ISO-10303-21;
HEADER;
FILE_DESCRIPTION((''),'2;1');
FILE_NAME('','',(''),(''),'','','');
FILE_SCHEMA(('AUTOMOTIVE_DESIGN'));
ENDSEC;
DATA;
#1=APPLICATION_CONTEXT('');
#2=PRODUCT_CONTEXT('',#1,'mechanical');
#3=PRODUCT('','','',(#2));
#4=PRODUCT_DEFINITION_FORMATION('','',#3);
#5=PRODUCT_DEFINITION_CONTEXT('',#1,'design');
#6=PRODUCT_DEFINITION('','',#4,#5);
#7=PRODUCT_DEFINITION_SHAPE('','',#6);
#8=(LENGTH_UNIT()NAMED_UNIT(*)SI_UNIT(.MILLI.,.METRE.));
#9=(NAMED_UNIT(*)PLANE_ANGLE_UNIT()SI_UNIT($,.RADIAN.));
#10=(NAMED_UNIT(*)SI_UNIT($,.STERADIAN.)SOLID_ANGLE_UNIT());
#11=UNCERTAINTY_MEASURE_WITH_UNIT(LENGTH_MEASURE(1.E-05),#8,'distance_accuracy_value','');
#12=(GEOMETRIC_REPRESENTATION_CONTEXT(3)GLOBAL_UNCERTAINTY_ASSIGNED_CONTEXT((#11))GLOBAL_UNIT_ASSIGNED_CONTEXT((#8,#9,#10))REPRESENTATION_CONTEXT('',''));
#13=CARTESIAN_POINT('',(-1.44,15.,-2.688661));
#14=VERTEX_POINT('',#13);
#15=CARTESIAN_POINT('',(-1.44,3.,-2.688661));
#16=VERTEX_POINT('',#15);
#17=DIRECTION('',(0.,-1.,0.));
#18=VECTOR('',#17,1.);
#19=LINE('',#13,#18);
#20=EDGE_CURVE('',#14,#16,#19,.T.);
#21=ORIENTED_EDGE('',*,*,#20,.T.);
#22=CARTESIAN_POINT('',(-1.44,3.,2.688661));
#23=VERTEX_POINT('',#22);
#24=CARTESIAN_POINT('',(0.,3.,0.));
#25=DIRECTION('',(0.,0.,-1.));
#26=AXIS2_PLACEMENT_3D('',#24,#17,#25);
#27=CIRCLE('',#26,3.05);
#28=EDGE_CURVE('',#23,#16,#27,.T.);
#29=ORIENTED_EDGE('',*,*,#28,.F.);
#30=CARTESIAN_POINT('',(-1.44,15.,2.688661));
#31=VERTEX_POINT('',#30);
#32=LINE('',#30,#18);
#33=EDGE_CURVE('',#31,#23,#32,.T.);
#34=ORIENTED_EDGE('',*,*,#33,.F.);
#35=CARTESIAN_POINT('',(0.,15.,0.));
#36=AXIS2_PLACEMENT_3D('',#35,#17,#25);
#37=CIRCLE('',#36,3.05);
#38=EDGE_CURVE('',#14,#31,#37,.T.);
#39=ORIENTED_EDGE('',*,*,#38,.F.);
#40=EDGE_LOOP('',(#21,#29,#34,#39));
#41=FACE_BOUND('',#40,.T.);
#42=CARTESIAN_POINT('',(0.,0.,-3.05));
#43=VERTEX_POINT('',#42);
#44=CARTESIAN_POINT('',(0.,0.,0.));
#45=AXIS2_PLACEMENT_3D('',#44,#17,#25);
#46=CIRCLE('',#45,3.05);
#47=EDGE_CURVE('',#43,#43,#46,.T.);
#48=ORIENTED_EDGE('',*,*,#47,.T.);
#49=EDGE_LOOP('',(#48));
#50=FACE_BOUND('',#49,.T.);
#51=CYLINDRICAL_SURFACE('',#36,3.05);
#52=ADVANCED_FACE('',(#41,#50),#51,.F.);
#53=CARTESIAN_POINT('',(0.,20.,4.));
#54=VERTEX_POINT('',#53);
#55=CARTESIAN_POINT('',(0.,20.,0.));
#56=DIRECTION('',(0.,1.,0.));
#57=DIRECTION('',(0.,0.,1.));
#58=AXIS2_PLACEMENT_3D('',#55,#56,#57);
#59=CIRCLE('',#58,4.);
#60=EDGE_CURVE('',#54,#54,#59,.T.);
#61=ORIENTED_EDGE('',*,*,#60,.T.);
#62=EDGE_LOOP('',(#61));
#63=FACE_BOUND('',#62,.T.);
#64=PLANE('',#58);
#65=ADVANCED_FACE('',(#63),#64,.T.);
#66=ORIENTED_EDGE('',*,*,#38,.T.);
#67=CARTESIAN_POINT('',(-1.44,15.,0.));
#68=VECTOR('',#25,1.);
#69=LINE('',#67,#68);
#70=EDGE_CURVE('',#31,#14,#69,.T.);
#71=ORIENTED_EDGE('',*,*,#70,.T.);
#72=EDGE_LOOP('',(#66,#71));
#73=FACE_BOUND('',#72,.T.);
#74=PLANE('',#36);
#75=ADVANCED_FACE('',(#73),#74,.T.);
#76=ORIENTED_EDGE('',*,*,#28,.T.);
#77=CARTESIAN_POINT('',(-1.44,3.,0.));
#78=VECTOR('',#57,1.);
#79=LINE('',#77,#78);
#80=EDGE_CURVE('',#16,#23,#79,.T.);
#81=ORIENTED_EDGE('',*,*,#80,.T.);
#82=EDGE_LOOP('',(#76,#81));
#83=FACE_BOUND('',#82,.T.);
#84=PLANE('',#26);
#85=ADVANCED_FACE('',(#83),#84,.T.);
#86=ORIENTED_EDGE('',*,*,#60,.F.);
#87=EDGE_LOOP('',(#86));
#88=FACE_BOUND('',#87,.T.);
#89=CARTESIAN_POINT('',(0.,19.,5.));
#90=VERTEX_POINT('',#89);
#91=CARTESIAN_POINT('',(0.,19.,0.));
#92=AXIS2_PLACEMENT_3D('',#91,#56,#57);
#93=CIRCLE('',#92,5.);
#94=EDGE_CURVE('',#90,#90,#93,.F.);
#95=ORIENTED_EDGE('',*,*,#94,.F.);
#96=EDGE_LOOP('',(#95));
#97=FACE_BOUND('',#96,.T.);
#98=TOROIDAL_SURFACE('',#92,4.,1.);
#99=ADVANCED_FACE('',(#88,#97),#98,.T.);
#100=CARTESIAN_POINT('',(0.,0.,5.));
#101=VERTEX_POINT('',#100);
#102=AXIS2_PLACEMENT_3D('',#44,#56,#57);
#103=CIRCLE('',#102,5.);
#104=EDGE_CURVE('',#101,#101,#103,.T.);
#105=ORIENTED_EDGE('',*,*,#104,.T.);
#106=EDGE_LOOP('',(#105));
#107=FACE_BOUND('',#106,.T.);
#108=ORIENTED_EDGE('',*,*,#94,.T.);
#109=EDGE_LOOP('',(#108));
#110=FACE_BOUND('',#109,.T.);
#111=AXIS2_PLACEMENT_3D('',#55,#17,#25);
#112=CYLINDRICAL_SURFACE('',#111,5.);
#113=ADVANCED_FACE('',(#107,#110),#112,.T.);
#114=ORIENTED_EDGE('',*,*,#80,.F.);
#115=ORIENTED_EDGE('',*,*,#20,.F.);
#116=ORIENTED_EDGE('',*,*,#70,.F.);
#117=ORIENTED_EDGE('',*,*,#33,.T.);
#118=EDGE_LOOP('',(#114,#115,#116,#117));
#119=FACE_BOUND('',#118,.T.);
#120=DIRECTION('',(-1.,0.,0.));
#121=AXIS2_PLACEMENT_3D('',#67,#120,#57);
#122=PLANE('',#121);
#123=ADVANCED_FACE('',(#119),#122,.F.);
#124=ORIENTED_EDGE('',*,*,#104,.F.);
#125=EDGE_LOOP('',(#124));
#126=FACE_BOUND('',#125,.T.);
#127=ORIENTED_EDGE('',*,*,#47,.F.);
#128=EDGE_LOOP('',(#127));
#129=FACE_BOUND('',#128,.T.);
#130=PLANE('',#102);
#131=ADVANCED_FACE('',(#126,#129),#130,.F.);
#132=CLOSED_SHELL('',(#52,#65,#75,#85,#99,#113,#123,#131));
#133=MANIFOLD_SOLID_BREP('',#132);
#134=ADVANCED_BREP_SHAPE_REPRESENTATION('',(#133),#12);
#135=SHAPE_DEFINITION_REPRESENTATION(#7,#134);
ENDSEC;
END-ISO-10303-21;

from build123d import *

# Parameters (mm, degrees)
SKETCH1_R           = 5
BOSS_EXTRUDE1_DEPTH = 20
FILLET1_R           = 1
CUT_EXTRUDE1_DEPTH  = 15
SKETCH4_R           = 3.05
CUT_EXTRUDE2_DEPTH  = 3


with BuildPart() as part:
    # Sketch1 → Boss-Extrude1 (new body)
    with BuildSketch(Plane(origin=(0, 0, 0), x_dir=(1, 0, 0), z_dir=(0, 1, 0))):
        with Locations(Location((0, 0, 0), (0, 0, 270))):
            Circle(SKETCH1_R)
    extrude(amount=BOSS_EXTRUDE1_DEPTH)

    # Fillet1
    fillet1_edges = [part.edges().sort_by_distance(p)[0] for p in [
        (0, 20, -5),
    ]]
    fillet(fillet1_edges, radius=FILLET1_R)

    # Sketch2 → Cut-Extrude1 (cut)
    with BuildSketch(Plane(origin=(0, 0, 0), x_dir=(-1, 0, 0), z_dir=(0, -1, 0))):
        with BuildLine():
            ThreePointArc((1.44, 2.688661377), (-3.05, 0), (1.44, -2.688661377))
            Line((1.44, -2.688661377), (1.44, 2.688661377))
        make_face()
    extrude(amount=-CUT_EXTRUDE1_DEPTH, mode=Mode.SUBTRACT)

    # Sketch4 → Cut-Extrude2 (cut)
    with BuildSketch(Plane(origin=(0, 0, 0), x_dir=(-1, 0, 0), z_dir=(0, -1, 0))):
        with Locations(Location((0, 0, 0), (0, 0, 90))):
            Circle(SKETCH4_R)
    extrude(amount=-CUT_EXTRUDE2_DEPTH, mode=Mode.SUBTRACT)


solid = part.part
